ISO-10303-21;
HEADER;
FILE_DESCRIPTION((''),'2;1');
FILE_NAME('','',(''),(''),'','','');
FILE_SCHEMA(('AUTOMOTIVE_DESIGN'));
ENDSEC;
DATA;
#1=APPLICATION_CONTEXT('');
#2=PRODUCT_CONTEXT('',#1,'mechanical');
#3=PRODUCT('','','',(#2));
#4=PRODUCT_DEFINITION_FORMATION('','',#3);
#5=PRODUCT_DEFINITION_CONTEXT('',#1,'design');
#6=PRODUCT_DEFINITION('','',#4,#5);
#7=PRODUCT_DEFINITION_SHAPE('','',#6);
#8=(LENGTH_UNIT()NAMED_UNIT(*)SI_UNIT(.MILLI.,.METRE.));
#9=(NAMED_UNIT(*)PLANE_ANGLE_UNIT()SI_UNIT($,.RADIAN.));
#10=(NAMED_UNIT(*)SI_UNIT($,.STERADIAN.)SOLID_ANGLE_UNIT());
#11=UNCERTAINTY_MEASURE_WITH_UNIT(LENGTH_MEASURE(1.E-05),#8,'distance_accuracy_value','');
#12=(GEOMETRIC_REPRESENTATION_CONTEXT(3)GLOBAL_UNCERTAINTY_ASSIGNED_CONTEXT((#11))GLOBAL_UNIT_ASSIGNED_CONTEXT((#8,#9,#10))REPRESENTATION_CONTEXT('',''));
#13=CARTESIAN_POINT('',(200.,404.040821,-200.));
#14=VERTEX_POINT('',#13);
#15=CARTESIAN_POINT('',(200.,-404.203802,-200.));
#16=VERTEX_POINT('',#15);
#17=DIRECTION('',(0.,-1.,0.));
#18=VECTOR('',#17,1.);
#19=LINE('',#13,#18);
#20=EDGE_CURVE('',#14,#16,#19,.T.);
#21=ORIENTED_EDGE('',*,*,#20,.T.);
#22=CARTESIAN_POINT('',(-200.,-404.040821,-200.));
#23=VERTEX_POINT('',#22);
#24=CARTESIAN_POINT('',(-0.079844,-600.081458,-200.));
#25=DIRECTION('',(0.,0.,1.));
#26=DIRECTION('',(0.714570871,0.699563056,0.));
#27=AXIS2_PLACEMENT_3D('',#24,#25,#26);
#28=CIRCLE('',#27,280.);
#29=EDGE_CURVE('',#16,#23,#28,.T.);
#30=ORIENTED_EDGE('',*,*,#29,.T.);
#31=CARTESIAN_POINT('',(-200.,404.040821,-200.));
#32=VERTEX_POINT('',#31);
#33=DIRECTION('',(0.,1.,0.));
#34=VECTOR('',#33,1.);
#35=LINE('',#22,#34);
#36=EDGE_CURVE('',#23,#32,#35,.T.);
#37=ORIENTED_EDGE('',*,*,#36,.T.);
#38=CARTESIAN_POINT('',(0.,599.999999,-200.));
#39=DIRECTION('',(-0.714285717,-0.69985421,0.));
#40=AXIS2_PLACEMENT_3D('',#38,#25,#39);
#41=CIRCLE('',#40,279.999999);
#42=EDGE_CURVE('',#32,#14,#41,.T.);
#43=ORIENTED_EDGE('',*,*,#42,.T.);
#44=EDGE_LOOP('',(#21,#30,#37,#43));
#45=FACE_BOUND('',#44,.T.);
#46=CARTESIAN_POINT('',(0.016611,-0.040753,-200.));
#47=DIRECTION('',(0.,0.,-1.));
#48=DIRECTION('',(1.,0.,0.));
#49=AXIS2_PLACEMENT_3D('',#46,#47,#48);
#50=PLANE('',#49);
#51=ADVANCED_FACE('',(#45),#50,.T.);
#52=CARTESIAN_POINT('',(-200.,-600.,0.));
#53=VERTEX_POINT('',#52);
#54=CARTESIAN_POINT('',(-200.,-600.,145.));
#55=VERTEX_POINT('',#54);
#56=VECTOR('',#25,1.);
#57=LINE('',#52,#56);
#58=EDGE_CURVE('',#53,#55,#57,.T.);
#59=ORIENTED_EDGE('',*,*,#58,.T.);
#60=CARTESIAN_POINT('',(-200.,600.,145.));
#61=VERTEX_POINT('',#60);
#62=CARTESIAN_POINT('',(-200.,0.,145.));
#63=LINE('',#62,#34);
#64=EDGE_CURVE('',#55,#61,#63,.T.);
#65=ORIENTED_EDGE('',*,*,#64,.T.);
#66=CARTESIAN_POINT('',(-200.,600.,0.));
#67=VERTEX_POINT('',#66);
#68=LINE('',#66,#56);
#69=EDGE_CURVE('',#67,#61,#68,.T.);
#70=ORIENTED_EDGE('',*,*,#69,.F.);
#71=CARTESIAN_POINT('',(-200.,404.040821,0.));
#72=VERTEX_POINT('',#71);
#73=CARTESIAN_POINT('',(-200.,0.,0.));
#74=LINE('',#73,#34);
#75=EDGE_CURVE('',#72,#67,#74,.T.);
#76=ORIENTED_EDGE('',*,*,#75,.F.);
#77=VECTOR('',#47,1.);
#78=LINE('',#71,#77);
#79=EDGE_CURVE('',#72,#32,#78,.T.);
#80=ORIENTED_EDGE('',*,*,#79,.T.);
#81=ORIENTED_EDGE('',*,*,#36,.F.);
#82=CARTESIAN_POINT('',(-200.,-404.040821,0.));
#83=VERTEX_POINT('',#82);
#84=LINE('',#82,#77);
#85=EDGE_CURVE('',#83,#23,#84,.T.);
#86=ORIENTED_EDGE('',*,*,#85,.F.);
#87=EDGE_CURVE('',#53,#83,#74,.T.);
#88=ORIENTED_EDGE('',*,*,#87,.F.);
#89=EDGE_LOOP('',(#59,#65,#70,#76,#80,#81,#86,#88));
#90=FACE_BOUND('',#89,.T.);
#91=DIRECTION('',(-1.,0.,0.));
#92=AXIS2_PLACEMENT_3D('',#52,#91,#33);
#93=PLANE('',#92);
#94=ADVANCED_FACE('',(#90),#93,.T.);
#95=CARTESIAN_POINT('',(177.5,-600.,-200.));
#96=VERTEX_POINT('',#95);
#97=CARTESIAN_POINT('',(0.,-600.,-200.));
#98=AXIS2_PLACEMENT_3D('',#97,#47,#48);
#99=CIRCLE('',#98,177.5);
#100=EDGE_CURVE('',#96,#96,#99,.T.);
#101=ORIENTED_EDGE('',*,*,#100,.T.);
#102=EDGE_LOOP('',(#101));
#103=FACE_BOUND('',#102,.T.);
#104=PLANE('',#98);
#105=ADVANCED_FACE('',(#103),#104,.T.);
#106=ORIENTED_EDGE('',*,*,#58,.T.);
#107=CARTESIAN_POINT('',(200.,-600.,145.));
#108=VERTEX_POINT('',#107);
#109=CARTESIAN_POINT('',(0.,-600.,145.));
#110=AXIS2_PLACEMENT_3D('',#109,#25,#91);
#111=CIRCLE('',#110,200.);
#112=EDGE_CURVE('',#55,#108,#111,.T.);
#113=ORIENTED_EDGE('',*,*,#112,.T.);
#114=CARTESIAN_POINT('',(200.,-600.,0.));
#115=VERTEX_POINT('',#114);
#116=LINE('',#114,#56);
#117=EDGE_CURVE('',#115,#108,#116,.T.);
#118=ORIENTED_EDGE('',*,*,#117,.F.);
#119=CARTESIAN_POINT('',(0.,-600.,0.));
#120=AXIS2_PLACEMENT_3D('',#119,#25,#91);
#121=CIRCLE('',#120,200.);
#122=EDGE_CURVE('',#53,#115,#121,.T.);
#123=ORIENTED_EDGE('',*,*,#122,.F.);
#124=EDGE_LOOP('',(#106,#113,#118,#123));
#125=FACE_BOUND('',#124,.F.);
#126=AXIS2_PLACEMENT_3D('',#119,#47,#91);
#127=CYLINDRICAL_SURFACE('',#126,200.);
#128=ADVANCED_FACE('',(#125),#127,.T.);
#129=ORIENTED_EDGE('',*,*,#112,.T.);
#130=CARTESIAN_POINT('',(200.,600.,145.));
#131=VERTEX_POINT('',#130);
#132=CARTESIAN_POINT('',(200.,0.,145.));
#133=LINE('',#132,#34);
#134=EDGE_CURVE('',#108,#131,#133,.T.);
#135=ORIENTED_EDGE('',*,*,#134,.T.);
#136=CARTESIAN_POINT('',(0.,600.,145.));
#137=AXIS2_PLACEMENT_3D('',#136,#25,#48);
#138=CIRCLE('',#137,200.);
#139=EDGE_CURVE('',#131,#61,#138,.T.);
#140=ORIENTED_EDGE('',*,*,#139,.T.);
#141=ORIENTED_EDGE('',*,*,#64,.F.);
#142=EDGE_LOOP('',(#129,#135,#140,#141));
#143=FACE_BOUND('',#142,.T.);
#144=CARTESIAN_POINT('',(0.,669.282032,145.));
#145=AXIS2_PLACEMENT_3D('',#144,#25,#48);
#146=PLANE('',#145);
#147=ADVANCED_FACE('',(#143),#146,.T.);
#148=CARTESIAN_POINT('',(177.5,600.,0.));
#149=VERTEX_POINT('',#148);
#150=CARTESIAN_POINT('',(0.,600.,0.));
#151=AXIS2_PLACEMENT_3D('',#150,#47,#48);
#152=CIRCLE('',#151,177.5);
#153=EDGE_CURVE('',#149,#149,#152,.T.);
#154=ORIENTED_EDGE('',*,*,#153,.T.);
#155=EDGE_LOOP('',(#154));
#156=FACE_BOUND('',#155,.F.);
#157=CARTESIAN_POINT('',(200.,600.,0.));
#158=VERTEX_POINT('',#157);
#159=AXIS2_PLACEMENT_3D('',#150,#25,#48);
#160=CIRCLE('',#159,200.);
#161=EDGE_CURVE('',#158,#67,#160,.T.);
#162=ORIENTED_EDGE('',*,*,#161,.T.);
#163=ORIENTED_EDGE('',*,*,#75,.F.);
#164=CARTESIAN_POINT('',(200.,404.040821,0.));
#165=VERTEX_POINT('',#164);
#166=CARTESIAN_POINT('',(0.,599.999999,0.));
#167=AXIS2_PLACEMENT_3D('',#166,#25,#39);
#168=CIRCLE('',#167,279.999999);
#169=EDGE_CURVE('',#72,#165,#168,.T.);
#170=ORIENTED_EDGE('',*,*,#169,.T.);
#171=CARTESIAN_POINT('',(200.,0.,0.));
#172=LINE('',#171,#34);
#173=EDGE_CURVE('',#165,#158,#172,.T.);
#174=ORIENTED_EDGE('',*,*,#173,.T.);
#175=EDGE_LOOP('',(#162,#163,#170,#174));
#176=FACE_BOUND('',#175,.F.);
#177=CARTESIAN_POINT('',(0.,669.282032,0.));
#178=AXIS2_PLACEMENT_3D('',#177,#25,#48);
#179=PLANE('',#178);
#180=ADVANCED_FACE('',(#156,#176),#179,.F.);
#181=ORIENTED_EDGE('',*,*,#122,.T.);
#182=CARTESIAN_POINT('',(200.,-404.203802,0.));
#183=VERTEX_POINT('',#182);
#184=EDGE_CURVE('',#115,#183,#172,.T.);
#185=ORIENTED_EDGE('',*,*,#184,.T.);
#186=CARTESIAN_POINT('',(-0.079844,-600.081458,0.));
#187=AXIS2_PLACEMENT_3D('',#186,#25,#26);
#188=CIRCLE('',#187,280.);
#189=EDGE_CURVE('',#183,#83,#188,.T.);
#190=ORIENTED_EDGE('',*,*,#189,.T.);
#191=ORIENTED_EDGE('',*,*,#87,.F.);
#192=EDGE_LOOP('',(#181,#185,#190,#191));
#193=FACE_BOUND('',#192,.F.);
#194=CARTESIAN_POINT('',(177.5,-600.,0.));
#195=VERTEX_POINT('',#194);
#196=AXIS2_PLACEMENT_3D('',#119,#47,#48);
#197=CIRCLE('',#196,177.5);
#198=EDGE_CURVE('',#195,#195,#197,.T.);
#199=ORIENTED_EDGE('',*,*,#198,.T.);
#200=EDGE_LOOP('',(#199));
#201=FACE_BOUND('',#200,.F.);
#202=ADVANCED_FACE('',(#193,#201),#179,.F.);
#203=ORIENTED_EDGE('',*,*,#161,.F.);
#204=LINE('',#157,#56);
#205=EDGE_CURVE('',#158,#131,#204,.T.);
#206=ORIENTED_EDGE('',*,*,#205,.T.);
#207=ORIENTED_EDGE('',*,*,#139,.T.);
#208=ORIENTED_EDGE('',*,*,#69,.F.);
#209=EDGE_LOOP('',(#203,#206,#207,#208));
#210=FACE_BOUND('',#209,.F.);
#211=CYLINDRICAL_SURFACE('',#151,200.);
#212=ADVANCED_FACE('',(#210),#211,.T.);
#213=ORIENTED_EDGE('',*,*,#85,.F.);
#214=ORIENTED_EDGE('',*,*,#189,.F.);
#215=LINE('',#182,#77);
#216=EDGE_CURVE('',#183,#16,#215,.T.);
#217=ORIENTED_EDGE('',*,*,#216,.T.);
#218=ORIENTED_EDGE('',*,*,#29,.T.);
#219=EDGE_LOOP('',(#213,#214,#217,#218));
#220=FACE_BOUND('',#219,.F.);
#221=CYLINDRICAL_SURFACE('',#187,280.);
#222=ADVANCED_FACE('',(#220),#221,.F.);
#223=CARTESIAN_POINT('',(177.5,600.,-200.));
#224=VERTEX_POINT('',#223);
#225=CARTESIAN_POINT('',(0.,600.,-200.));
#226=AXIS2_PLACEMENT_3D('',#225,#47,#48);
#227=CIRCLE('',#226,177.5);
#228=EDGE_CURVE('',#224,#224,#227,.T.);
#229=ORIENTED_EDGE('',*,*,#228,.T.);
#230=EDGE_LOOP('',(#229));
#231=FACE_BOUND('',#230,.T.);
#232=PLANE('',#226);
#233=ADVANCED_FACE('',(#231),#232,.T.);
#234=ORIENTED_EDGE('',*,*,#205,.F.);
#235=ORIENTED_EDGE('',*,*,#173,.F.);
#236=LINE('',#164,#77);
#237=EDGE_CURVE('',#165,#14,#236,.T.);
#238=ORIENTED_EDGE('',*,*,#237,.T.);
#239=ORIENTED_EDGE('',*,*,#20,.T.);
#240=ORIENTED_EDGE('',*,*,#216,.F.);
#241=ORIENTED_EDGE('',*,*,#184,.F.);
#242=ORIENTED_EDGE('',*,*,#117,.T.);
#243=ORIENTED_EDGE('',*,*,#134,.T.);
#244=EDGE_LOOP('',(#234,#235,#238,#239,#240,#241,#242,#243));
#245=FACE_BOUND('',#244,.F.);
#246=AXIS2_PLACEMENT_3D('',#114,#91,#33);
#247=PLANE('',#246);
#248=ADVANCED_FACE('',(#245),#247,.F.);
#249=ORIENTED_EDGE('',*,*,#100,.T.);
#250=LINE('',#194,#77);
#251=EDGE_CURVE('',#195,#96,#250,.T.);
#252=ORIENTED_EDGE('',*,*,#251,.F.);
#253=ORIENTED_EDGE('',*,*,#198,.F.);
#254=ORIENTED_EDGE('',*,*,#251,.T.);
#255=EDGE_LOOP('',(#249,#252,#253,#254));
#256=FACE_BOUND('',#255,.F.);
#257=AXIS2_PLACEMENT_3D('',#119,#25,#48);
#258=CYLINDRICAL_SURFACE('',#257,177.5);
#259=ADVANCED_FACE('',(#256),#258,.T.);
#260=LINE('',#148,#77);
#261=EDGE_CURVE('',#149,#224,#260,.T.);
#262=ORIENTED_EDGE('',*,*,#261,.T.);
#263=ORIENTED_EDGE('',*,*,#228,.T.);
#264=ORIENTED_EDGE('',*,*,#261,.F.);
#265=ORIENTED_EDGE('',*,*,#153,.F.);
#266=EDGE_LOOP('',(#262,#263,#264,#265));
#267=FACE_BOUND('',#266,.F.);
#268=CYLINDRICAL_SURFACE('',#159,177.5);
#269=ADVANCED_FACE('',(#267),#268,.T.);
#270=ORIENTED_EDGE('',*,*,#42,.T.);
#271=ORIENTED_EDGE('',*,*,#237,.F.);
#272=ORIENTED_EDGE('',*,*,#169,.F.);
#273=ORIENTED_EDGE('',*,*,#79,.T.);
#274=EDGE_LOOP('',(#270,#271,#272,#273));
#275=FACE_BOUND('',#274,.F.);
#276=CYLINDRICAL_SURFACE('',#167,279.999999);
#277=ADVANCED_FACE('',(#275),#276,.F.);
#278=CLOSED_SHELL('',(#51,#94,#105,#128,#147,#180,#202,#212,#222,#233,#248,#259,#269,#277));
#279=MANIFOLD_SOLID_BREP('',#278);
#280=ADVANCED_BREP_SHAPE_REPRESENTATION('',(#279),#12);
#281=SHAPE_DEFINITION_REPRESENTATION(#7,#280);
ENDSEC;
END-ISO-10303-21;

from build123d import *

# Parameters (mm, degrees)
F0_W     = 400
F0_H     = 1200
F1_DEPTH = 145
F2_R     = 177.5
F3_DEPTH = 200


with BuildPart() as f1:
    # F0 (on Top) → F1 (new body)
    with BuildSketch(Plane.XY):
        with BuildLine():
            ThreePointArc((200, 600), (0, 800), (-200, 600))
            Line((-200, 600), (200, 600))
        make_face()
        Rectangle(F0_W, F0_H)
        with BuildLine():
            Line((200, -600), (-200, -600))
            ThreePointArc((-200, -600), (0, -800), (200, -600))
        make_face()
    extrude(amount=F1_DEPTH)

    # F2 (on face) → F3 (join)
    with BuildSketch(Plane(origin=(0, 0, 0), x_dir=(1, 0, 0), z_dir=(0, 0, -1))):
        with Locations((0, 600)):
            Circle(F2_R)
        with Locations((0, -600)):
            Circle(F2_R)
        with BuildLine():
            ThreePointArc((200, 404.203802), (0.034243, 320.081481), (-200, 404.040821))
            Line((-200, 404.040821), (-200, -404.040821))
            ThreePointArc((-200, -404.040821), (0, -320), (200, -404.040821))
            Line((200, -404.040821), (200, 404.203802))
        make_face()
    extrude(amount=F3_DEPTH)


solid = f1.part
